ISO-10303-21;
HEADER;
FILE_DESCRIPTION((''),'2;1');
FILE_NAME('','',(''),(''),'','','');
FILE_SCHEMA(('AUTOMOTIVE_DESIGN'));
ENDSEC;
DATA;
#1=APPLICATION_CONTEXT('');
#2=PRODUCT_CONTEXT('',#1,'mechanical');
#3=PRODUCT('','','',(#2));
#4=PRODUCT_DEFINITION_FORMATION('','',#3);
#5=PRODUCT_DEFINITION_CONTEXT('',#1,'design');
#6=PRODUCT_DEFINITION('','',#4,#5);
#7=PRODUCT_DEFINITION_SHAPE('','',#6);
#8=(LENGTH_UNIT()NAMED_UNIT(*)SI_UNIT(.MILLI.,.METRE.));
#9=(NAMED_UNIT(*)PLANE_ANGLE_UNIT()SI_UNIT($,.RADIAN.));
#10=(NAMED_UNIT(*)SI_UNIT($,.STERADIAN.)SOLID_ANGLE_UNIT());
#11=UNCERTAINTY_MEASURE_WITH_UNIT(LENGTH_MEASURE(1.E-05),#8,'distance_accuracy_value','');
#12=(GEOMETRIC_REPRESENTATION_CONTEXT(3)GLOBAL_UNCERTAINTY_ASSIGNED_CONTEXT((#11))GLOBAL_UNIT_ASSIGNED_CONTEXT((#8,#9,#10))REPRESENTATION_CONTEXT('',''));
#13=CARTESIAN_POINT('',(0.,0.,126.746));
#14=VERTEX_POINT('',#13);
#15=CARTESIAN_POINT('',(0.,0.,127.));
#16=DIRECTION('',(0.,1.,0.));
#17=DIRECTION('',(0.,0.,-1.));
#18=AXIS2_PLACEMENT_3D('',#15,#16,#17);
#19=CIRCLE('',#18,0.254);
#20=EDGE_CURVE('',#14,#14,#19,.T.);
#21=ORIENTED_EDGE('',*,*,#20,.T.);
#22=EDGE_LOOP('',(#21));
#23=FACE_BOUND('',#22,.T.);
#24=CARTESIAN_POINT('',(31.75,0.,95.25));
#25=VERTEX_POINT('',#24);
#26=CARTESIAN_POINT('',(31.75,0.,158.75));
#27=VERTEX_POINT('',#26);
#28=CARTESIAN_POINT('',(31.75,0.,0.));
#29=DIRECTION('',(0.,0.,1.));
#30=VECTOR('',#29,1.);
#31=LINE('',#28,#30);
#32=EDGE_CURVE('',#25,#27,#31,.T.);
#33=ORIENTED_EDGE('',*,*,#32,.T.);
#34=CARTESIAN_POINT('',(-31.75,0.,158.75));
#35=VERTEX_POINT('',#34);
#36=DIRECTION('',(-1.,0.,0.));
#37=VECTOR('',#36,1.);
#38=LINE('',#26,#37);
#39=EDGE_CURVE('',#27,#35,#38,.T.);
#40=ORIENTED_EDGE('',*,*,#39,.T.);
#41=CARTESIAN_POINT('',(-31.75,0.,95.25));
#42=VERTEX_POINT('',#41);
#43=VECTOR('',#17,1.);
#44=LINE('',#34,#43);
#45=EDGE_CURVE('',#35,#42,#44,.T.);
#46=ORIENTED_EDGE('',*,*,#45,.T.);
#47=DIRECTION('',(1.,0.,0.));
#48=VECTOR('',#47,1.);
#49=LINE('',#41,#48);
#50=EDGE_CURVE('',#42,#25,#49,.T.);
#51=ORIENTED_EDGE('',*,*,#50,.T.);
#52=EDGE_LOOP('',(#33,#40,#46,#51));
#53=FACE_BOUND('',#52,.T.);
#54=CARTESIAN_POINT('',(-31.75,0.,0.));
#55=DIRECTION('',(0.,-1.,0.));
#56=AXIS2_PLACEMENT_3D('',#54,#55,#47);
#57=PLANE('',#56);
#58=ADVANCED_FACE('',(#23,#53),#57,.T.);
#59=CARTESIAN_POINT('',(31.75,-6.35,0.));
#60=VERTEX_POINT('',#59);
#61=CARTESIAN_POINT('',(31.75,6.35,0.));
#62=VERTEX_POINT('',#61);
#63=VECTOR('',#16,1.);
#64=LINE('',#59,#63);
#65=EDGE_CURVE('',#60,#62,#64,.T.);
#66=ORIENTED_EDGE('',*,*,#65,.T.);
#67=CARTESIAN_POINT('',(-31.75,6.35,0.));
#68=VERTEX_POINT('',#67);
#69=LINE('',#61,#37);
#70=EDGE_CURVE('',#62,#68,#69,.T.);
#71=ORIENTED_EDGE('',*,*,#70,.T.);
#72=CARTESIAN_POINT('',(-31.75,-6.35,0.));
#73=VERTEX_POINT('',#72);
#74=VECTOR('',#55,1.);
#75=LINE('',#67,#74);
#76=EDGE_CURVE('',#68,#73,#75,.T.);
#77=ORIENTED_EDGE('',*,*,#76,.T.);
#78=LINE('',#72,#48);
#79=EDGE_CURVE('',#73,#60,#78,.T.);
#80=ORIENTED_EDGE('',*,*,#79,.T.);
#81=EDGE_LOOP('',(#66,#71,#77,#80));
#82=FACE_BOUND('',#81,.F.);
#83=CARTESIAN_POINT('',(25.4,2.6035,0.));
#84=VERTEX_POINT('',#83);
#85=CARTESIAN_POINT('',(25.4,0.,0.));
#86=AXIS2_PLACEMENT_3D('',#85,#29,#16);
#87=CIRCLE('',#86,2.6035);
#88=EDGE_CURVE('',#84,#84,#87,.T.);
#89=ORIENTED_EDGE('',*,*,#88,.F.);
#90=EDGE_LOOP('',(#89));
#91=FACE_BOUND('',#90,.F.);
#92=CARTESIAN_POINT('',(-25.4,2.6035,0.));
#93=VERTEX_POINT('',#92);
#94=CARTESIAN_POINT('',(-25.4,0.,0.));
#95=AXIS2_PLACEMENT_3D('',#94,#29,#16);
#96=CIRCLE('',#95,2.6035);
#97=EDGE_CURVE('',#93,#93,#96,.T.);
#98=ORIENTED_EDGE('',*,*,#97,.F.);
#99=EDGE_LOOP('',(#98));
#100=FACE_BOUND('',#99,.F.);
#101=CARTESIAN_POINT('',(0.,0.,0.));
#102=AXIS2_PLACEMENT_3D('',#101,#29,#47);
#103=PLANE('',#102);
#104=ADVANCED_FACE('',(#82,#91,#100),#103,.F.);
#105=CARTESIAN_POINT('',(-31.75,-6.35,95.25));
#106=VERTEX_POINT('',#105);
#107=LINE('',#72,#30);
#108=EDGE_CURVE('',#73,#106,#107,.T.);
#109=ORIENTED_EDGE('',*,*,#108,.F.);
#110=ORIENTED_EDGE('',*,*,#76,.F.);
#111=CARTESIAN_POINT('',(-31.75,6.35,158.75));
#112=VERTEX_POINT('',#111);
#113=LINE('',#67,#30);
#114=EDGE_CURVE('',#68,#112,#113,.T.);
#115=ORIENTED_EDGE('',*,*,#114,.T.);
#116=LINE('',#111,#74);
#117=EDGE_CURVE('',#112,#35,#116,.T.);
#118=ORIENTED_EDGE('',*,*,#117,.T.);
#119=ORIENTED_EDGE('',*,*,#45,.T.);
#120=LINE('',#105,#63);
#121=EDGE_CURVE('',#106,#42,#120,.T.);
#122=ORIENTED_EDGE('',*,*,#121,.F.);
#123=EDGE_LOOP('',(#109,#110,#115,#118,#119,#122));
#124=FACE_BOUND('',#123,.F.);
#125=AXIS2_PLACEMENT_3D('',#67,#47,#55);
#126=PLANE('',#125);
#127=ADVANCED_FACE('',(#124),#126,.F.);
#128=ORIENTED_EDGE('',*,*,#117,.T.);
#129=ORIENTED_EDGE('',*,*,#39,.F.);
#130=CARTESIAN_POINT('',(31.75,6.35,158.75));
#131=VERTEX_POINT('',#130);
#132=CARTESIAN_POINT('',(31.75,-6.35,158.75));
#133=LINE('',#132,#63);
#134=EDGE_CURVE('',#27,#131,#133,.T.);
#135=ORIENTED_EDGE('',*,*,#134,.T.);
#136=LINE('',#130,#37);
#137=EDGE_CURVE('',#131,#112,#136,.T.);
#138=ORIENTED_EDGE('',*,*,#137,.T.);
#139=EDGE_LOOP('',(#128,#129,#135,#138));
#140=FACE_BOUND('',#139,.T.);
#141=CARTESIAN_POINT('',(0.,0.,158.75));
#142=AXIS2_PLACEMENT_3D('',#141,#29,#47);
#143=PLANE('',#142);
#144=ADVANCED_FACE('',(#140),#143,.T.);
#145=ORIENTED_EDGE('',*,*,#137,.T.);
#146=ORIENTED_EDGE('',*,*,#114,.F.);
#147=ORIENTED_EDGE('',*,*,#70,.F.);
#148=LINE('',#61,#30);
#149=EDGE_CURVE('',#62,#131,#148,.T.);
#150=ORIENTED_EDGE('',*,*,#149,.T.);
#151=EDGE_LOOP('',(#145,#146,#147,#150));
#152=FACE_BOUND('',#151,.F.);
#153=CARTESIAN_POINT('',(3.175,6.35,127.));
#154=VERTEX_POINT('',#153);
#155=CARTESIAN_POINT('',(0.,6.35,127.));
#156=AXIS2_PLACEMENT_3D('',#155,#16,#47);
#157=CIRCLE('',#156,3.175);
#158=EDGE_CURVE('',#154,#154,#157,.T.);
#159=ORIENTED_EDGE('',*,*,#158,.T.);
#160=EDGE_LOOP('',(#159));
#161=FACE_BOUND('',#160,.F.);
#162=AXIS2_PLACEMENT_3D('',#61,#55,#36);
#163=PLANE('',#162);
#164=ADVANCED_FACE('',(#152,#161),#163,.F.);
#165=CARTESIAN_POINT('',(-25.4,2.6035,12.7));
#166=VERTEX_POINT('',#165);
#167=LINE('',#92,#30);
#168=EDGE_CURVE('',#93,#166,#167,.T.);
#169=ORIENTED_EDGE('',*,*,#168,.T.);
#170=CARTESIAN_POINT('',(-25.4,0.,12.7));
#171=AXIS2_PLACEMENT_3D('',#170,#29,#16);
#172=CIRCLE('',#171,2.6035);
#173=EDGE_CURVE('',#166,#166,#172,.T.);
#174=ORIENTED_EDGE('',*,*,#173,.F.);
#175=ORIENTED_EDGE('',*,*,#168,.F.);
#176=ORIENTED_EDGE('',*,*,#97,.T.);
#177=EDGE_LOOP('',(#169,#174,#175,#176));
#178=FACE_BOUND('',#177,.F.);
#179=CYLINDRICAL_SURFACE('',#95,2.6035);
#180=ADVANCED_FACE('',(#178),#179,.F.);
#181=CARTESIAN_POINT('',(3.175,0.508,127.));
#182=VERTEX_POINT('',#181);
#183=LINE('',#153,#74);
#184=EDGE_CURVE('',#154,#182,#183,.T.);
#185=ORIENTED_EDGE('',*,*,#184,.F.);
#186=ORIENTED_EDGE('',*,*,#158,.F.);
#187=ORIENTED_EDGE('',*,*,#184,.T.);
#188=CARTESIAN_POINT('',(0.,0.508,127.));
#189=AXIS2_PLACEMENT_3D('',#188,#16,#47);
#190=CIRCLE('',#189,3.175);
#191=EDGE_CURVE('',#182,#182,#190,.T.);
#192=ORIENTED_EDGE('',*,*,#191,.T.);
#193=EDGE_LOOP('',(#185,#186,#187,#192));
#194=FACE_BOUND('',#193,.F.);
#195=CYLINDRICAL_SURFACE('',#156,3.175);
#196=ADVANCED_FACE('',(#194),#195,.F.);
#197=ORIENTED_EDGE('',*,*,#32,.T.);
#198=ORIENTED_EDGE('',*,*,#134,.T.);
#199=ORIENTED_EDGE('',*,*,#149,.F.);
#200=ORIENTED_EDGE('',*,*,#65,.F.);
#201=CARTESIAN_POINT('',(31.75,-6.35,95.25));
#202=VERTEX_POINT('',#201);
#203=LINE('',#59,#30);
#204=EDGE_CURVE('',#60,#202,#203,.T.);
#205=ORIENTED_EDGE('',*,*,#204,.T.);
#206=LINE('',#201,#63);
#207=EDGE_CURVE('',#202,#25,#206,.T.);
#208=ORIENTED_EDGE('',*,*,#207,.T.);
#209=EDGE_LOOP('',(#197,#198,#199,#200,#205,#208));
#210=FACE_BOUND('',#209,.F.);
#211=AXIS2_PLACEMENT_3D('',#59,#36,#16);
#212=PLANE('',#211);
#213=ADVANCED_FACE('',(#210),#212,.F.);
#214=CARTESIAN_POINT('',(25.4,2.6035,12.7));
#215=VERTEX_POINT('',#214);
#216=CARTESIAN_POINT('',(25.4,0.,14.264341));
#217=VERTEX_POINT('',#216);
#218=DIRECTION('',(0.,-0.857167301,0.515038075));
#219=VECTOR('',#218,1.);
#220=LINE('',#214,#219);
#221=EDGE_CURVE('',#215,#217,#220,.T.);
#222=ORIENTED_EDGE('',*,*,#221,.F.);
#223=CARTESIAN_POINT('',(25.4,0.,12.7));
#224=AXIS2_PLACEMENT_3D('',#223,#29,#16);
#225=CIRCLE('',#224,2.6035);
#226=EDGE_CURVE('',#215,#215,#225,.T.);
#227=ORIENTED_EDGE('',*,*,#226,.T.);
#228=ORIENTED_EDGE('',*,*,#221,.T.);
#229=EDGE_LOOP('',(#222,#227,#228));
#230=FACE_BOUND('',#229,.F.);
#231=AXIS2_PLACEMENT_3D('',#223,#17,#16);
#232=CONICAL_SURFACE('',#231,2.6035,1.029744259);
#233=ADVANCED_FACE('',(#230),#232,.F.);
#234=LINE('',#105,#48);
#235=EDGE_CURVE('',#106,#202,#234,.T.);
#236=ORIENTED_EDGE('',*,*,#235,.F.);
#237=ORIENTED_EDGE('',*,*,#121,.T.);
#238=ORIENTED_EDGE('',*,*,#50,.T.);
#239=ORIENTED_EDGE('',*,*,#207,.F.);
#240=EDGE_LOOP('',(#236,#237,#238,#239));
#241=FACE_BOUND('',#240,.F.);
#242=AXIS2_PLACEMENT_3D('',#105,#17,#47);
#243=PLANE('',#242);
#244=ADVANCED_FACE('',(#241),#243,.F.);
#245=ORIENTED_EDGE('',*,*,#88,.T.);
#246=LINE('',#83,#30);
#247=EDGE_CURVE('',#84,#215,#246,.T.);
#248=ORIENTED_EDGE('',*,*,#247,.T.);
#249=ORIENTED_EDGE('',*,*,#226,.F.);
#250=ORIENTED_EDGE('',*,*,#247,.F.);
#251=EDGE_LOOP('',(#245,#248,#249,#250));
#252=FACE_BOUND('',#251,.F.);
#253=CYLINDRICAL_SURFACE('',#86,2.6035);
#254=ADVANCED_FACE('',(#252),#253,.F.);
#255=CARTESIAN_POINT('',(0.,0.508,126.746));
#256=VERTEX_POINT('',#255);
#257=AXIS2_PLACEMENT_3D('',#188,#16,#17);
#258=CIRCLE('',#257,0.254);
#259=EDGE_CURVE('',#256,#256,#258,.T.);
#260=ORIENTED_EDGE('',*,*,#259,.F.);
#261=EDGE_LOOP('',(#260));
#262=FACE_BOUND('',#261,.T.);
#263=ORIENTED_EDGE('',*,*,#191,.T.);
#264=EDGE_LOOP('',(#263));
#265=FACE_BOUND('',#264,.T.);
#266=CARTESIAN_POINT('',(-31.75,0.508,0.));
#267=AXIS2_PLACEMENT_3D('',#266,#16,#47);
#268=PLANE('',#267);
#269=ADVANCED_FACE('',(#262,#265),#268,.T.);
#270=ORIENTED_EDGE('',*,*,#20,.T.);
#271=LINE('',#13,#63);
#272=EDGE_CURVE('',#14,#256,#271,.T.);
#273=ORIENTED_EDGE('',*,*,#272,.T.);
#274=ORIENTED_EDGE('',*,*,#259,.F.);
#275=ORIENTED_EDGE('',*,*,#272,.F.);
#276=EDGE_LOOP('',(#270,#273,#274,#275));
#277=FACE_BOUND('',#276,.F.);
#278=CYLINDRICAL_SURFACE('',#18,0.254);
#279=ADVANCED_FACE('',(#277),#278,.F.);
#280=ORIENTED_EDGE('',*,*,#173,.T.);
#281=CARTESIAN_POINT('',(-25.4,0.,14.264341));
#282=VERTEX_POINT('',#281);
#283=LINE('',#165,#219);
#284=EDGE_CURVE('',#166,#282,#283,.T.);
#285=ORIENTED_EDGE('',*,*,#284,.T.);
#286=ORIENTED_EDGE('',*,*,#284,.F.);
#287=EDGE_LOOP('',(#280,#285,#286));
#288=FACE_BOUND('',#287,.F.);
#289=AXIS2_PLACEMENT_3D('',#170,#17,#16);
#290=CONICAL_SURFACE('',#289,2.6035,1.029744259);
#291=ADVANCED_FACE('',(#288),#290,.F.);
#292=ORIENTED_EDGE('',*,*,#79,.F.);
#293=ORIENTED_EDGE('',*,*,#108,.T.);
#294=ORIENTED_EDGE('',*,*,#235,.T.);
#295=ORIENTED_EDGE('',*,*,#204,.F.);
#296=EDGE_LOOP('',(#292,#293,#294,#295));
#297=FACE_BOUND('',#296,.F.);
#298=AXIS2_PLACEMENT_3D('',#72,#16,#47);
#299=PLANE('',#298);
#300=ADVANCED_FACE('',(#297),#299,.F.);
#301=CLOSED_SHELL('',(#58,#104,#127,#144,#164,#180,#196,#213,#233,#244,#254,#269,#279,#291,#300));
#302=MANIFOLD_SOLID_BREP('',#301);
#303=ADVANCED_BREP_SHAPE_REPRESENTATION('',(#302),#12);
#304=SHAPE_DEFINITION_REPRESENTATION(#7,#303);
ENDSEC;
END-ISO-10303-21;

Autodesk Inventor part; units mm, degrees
ref_plane "YZ Plane" through (0, 0, 0) normal (1, 0, 0) x (0, 1, 0)
ref_plane "XZ Plane" through (0, 0, 0) normal (0, 1, 0) x (-1, 0, 0)
ref_plane "XY Plane" through (0, 0, 0) normal (0, 0, 1) x (1, 0, 0)
sketch "Sketch1" plane through (0, 0, 0) normal (0, 0, 1) x (1, 0, 0)
  line L0 (-31.75, -6.35) -> (31.75, -6.35)
  line L1 (31.75, -6.35) -> (31.75, 6.35)
  line L2 (31.75, 6.35) -> (-31.75, 6.35)
  line L3 (-31.75, 6.35) -> (-31.75, -6.35)
  line L4 (-31.75, -6.35) -> (31.75, 6.35) construction
  line L5 (31.75, -6.35) -> (-31.75, 6.35) construction
  point P0 (0, 0)
  dimension "d0" = 63.5
  dimension "d1" = 12.7
extrude "Extrusion1" add sketch "Sketch1" along normal blind 158.75
sketch "Sketch2" plane through (-31.75, -6.35, 0) normal (0, -1, 0) x (1, 0, 0)
  line L0 (63.5, 0) -> (63.5, 158.75) projected
  line L1 (0, 95.25) -> (63.5, 95.25)
  line L2 (63.5, 95.25) -> (63.5, 158.75)
  line L3 (63.5, 158.75) -> (0, 158.75)
  line L4 (0, 158.75) -> (0, 95.25)
  line L5 (0, 95.25) -> (63.5, 158.75) construction
  line L6 (63.5, 95.25) -> (0, 158.75) construction
  point P0 (31.75, 0)
  point P1 (31.75, 127)
  dimension "d4" = 127
extrude "Extrusion2" cut sketch "Sketch2" against normal blind 6.35
sketch "Sketch3" plane through (0, 0, 0) normal (0, 0, -1) x (-1, 0, 0)
  line L0 (31.75, 0) -> (-31.75, 0) projected
  point P0 (0, 0)
  point P1 (-25.4, 0)
  point P2 (25.4, 0)
  dimension "d7" = 25.4
  dimension "d8" = 25.4
hole "Hole1" at (25.4, 0, 0) at (-25.4, 0, 0) direction (0, 0, 1) diameter 5.207 depth 12.7 tip angle 118
sketch "Sketch4" plane through (-31.75, 0, 0) normal (0, -1, 0) x (1, 0, 0)
  line L0 (0, 0) -> (63.5, 0) projected
  circle A0 centre (31.75, 127) radius 4.4323
  circle A1 centre (31.75, 127) radius 8.8646
  circle A2 centre (31.75, 127) radius 13.2969
  circle A3 centre (31.75, 127) radius 17.7292
  circle A4 centre (31.75, 127) radius 22.1615
  circle A5 centre (31.75, 127) radius 26.5938
  point P0 (31.75, 0)
  dimension "d16" = 127
  dimension "d17" = 8.8646
  dimension "d18" = 17.7292
  dimension "d19" = 26.5938
  dimension "d20" = 35.4584
  dimension "d21" = 44.323
  dimension "d33" = 53.1876
sketch "Sketch5" plane through (-31.75, 6.35, 0) normal (0, 1, 0) x (1, 0, 0)
  line L0 (63.5, 0) -> (0, 0) projected
  circle A0 centre (31.75, -127) radius 3.175
  point P0 (31.75, 0)
  dimension "d22" = 127
  dimension "d23" = 6.35
extrude "Extrusion3" cut sketch "Sketch5" against normal blind 5.842
hole "Hole2" at (0, 0, 127) direction (0, 1, 0) diameter 0.508 end through all
properties part number "target"
